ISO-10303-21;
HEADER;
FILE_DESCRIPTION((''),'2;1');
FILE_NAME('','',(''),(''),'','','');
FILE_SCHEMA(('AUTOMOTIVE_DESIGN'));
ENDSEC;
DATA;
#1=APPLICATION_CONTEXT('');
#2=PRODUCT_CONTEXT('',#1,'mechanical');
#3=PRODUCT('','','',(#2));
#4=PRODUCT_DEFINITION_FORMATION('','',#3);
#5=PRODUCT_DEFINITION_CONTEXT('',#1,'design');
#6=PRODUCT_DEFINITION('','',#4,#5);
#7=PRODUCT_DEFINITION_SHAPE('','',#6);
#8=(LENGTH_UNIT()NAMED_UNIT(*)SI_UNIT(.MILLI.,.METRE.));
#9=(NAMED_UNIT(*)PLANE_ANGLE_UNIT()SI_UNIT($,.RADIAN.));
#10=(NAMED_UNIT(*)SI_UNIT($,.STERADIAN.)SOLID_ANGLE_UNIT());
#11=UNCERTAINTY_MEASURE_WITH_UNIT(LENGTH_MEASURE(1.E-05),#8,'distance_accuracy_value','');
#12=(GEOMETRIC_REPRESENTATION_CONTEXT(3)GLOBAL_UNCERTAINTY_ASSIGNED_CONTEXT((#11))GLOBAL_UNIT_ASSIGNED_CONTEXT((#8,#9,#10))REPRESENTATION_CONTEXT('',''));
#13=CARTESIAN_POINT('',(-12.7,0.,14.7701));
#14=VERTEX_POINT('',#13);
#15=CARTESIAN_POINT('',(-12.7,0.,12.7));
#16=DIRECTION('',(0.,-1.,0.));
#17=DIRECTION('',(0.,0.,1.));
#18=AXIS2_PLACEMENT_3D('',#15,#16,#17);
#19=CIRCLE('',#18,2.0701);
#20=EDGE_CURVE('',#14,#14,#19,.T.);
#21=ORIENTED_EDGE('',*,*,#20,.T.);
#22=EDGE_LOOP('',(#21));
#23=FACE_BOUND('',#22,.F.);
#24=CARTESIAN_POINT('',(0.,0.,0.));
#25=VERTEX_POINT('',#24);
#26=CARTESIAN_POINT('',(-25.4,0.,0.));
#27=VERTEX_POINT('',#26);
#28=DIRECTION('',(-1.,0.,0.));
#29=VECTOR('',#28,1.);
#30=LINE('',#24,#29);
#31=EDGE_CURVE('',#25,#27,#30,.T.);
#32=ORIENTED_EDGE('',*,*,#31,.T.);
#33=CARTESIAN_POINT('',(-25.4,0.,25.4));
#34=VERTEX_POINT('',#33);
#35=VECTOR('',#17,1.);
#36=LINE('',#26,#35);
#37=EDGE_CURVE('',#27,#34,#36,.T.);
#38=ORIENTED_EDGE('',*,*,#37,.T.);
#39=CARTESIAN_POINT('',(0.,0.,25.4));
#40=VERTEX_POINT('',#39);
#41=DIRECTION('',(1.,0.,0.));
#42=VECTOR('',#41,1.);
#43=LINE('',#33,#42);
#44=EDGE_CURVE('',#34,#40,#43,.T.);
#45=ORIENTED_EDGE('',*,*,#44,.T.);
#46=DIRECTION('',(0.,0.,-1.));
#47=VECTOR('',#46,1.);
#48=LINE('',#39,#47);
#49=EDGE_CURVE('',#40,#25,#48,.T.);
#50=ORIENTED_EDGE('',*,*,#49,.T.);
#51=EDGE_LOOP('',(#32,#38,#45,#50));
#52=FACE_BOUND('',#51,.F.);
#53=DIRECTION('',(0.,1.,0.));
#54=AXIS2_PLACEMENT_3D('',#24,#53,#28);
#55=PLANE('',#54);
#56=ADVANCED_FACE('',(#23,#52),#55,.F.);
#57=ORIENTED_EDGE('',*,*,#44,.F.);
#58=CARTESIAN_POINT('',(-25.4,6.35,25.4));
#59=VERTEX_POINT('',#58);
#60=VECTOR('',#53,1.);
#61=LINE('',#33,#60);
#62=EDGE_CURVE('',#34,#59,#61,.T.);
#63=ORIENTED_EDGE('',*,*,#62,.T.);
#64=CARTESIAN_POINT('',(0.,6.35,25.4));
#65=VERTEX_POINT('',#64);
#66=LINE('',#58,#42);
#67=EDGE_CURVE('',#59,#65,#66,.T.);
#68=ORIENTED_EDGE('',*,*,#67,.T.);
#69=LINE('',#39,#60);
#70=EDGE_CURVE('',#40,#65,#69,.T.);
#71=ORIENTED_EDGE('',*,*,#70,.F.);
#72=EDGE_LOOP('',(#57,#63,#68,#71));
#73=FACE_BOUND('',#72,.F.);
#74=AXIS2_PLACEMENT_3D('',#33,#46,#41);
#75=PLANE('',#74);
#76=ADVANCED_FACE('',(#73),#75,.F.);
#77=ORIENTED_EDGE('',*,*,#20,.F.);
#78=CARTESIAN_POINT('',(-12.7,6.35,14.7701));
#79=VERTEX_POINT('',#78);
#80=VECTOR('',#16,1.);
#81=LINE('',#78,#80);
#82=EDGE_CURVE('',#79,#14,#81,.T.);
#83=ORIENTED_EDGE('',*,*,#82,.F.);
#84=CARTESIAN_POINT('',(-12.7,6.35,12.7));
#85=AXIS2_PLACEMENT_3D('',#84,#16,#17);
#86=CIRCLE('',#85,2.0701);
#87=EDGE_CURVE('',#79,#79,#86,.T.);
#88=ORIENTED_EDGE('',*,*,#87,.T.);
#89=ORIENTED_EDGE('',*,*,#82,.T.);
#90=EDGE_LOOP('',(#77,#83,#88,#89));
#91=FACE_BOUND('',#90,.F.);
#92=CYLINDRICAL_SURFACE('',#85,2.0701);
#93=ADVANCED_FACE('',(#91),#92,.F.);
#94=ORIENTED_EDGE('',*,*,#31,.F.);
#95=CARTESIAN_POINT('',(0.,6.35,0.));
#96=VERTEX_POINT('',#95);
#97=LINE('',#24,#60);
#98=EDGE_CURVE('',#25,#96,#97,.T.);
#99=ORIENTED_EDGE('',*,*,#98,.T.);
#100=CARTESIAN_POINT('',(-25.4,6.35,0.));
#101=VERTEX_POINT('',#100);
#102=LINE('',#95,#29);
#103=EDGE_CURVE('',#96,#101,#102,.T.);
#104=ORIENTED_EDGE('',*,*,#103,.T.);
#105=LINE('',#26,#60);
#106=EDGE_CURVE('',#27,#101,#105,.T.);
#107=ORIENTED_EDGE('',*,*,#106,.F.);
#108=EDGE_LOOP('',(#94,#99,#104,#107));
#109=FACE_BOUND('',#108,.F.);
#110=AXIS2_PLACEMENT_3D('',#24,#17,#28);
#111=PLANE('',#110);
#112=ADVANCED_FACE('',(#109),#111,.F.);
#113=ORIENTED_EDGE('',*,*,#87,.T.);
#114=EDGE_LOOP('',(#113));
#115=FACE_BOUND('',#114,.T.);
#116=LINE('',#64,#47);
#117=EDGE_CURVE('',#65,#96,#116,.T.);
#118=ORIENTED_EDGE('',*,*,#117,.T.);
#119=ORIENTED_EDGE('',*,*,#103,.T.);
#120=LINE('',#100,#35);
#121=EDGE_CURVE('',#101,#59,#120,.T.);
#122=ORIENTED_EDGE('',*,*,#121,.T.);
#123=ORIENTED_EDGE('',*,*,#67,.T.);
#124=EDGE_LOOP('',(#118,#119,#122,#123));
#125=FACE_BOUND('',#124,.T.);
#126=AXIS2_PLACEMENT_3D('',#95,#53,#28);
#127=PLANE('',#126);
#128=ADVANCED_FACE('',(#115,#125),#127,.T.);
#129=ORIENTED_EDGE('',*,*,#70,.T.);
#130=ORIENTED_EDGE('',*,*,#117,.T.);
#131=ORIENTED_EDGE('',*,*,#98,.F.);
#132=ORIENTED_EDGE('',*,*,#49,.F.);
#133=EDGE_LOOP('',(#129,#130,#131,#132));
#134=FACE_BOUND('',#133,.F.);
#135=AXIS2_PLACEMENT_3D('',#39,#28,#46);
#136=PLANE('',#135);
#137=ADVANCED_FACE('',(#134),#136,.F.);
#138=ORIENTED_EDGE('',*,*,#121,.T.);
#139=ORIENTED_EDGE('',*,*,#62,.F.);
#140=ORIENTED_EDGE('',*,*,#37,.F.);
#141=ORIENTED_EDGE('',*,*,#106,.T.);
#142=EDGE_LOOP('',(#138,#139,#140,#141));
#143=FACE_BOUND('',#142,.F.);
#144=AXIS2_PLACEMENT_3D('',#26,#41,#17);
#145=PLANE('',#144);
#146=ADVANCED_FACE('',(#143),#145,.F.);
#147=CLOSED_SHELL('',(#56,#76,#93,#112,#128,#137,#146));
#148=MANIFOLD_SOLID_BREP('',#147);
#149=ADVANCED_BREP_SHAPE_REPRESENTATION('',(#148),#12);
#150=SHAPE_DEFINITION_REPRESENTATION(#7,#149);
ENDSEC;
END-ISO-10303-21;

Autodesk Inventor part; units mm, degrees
ref_plane "YZ Plane" through (0, 0, 0) normal (1, 0, 0) x (0, 1, 0)
ref_plane "XZ Plane" through (0, 0, 0) normal (0, 1, 0) x (-1, 0, 0)
ref_plane "XY Plane" through (0, 0, 0) normal (0, 0, 1) x (1, 0, 0)
sketch "Sketch1" plane through (0, 0, 0) normal (0, 1, 0) x (-1, 0, 0)
  line L0 (0, 0) -> (25.4, 0)
  line L1 (25.4, 0) -> (25.4, 25.4)
  line L2 (25.4, 25.4) -> (0, 25.4)
  line L3 (0, 25.4) -> (0, 0)
  dimension "d0" = 25.4
  dimension "d1" = 25.4
extrude "Extrusion1" add sketch "Sketch1" along normal blind 6.35
sketch "Sketch2" plane through (0, 6.35, 0) normal (0, 1, 0) x (1, 0, 0)
  line L0 (-25.4, 0) -> (-25.4, -25.4) projected
  line L1 (0, 0) -> (-25.4, 0) projected
  point P0 (-12.7, -12.7)
  point P1 (-25.4, -12.7)
  point P2 (-12.7, 0)
hole "Hole1" at (-12.7, 6.35, 12.7) direction (0, -1, 0) diameter 4.1402 end through all
properties part number ".25inAlluminumspacer-ver1-1111-2018"
